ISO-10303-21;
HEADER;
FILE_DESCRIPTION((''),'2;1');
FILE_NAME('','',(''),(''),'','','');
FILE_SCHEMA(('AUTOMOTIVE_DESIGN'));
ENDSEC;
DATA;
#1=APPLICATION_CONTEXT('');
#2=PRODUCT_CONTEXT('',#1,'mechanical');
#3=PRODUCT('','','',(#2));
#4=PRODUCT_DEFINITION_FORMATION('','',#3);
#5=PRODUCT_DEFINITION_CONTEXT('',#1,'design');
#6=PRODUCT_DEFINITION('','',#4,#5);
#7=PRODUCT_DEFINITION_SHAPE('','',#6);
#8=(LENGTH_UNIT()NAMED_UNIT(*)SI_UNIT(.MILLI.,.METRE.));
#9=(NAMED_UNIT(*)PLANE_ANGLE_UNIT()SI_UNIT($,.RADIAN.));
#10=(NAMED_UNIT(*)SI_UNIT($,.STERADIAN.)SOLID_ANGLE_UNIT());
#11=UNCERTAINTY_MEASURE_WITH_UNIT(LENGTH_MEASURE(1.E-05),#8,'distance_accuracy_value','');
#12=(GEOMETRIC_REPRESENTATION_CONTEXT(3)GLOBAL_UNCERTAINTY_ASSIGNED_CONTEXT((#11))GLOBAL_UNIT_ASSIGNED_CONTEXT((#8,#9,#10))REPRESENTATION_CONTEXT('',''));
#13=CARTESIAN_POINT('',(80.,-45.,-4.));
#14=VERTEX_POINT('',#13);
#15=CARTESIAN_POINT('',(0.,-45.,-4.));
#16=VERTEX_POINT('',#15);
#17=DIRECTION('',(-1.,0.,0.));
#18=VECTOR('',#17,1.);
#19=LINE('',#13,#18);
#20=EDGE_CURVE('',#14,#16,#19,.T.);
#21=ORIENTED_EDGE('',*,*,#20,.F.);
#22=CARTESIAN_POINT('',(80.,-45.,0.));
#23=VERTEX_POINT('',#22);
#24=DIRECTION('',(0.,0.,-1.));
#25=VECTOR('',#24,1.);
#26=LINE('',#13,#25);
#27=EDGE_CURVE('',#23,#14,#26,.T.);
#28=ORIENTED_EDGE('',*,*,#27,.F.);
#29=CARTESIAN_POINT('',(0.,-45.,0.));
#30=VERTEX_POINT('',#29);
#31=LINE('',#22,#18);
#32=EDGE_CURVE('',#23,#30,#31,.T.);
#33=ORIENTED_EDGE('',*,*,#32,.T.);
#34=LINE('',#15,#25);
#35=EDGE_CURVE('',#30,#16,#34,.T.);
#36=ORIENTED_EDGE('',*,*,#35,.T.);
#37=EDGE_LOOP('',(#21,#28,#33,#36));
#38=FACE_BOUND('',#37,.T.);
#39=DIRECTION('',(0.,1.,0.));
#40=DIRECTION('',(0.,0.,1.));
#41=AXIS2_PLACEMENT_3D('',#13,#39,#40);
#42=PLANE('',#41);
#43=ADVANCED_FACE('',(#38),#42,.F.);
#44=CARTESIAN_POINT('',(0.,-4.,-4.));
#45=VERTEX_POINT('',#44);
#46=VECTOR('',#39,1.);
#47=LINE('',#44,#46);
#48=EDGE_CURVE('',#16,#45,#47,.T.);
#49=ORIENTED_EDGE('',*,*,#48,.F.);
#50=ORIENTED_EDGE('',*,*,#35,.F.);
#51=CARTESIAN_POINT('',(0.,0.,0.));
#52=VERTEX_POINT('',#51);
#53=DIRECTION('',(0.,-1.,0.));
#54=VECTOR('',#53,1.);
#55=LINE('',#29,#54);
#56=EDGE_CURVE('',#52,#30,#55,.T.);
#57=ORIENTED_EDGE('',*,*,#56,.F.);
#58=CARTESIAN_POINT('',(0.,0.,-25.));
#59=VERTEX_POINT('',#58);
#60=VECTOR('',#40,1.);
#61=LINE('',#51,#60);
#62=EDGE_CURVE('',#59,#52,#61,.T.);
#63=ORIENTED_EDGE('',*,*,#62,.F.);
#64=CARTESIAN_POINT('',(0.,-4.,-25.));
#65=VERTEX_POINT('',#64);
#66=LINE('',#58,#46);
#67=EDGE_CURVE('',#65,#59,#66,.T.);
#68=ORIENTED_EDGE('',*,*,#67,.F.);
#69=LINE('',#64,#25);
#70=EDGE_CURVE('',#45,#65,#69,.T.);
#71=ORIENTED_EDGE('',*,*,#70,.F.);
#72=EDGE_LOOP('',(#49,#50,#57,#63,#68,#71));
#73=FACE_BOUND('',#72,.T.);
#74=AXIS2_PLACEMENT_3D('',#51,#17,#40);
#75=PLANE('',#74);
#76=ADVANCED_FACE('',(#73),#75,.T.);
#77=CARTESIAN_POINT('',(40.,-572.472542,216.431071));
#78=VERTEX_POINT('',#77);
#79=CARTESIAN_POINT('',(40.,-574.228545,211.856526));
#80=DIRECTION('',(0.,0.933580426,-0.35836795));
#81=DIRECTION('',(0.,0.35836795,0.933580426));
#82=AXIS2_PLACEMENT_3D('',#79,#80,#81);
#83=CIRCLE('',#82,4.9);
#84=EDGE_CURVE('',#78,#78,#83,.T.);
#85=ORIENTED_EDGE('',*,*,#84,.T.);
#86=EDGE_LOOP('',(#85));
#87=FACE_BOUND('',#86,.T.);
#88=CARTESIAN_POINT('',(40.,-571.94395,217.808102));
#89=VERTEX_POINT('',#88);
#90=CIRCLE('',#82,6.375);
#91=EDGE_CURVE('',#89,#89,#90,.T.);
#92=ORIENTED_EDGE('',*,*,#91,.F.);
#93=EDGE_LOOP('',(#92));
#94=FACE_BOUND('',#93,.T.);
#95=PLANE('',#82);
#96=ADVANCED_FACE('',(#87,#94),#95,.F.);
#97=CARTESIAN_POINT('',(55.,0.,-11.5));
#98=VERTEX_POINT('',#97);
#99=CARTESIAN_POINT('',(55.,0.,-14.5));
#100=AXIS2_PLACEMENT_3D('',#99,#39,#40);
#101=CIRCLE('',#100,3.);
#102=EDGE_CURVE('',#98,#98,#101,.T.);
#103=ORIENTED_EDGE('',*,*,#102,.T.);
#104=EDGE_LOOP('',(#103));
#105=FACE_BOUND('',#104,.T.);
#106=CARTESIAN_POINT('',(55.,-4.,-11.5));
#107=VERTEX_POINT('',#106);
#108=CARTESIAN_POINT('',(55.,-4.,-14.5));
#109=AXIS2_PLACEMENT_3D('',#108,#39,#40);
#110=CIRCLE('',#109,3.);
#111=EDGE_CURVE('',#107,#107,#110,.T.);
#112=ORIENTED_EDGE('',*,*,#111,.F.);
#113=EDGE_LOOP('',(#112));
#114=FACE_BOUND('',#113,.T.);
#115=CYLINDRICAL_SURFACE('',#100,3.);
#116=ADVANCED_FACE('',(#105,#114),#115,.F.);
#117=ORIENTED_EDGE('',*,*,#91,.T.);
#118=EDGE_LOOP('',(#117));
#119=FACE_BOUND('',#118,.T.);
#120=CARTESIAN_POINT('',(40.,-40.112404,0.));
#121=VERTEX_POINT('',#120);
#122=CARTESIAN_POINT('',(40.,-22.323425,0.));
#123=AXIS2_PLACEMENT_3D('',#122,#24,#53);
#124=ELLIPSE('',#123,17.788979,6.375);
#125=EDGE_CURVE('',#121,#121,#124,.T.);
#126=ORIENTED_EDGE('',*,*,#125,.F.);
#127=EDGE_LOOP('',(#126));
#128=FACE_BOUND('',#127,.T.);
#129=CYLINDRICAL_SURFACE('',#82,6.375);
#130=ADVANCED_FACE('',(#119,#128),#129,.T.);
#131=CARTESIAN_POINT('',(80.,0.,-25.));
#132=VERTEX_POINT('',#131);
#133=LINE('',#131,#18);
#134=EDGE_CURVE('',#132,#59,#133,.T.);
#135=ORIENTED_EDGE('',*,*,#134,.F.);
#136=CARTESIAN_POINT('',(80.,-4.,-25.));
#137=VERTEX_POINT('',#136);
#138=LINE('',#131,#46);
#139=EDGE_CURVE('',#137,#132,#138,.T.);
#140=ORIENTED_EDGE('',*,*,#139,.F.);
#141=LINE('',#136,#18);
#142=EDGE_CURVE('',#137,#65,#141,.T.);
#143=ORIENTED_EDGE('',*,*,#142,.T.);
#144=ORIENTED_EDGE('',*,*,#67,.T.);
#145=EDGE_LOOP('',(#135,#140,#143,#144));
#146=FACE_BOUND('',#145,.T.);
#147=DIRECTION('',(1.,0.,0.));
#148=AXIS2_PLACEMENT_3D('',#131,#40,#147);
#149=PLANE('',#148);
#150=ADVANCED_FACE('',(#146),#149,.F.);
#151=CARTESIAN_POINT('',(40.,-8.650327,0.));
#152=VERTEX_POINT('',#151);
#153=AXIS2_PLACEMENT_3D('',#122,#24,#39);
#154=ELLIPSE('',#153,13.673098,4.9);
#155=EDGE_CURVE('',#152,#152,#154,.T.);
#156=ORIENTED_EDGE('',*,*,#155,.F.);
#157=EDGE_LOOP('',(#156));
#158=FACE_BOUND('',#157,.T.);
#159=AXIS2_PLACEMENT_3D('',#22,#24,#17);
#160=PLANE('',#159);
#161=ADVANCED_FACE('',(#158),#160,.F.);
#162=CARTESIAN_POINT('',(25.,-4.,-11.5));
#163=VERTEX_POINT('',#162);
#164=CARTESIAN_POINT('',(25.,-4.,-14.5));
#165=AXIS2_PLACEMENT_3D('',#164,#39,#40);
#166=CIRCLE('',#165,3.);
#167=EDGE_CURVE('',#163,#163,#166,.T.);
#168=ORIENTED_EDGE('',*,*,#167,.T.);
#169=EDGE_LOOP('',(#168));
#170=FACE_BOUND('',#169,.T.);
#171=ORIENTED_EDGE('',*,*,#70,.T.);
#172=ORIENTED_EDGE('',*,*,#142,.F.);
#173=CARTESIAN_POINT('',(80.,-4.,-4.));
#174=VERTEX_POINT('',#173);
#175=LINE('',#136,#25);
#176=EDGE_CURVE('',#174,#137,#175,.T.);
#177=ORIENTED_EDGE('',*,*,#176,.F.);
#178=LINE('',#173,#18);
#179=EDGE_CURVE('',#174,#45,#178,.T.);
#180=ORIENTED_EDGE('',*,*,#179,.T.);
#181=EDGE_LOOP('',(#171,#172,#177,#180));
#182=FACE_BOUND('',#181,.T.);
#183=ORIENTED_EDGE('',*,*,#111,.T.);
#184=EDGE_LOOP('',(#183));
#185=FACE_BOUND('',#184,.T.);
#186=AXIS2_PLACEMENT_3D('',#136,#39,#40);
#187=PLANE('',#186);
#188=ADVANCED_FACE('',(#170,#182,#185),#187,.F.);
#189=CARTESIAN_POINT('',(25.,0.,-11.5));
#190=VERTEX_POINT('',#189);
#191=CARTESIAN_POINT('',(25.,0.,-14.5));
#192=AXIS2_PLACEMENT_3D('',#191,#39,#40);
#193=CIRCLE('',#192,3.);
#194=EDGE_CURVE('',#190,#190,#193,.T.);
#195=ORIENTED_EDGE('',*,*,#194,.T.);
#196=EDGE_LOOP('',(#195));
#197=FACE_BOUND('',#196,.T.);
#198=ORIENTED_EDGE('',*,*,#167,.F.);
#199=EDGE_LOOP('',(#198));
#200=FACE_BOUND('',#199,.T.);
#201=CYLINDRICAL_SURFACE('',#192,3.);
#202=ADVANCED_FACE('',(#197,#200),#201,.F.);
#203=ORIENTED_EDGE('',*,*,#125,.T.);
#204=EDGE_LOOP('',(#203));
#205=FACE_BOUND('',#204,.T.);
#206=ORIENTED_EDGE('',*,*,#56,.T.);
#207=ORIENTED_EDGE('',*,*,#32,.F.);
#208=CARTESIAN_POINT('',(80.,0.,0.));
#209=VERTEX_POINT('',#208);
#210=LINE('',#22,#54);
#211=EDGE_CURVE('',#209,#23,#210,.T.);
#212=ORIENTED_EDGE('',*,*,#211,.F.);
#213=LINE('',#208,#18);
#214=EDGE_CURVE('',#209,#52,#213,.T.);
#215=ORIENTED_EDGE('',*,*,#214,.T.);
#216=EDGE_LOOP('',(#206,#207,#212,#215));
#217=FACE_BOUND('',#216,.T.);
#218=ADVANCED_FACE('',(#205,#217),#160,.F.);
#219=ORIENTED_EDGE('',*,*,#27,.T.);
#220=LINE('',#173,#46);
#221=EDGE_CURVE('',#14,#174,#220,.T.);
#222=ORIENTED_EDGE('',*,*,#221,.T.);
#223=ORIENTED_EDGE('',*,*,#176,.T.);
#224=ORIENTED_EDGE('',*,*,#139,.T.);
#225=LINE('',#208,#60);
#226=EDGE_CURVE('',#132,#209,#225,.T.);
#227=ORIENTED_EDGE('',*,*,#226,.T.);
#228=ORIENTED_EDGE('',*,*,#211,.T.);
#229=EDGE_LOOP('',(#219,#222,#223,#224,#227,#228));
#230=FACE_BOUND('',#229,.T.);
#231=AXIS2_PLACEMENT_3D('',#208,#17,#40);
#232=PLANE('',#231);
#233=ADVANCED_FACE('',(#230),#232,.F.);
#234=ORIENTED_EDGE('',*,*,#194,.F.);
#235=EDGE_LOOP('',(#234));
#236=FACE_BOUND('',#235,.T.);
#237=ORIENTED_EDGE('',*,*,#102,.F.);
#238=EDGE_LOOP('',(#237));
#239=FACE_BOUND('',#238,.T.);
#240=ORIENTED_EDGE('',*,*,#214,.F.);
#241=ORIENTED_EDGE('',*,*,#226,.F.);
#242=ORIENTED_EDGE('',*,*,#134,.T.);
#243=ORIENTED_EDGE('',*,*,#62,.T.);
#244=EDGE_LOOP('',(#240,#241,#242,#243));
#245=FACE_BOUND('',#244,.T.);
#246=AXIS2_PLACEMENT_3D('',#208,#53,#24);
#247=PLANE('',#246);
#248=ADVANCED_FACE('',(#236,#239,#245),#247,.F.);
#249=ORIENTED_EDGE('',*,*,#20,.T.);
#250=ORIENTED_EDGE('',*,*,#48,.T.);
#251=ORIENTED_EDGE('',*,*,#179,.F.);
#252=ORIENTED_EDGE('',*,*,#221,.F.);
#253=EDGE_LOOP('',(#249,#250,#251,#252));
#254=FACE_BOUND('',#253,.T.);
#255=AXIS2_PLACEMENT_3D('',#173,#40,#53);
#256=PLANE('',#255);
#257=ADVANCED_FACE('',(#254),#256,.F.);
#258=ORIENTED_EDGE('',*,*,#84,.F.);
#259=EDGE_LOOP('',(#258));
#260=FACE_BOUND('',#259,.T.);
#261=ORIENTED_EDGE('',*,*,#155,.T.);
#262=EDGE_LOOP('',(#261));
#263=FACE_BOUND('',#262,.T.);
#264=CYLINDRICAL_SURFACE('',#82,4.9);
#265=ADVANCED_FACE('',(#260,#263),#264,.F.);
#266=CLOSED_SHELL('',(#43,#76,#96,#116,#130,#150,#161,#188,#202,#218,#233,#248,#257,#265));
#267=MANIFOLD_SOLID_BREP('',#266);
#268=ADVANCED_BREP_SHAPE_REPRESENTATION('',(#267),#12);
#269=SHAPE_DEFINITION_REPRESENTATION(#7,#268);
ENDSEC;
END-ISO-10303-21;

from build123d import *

# Parameters (mm, degrees)
BOSS_EXTRUDE1_DEPTH             = 80
BOSS_EXTRUDE2_REACH             = 99.687
SKETCH2_R                       = 6.375
SKETCH2_R_2                     = 4.9
BOSS_EXTRUDE2_DIRECTION_2_DEPTH = 570
F_6_0MM_DOWEL_HOLE1_D           = 6


with BuildPart() as part:
    # Sketch1 → Boss-Extrude1 (new body)
    with BuildSketch(Plane(origin=(0, 0, 0), x_dir=(0, 0, -1), z_dir=(1, 0, 0))):
        Polygon((0, 0), (25, 0), (25, -4), (4, -4), (4, -45), (0, -45), align=None)
    extrude(amount=BOSS_EXTRUDE1_DEPTH)

    # Boss-Extrude2: up to this plane
    boss_extrude2_end = Plane(origin=(80, -45, 0), z_dir=(0, 0, -1))
    # Sketch2 → Boss-Extrude2 (add, up to the surface)
    with BuildSketch(Plane(origin=(0, -39.220758573, 15.055438643), x_dir=(-1, 0, 0), z_dir=(0, 0.9335804264972002, -0.3583679495453042)), mode=Mode.PRIVATE) as boss_extrude2_sk1:
        with Locations((-40, -8)):
            Circle(SKETCH2_R)
        with Locations((-40, -8)):
            Circle(SKETCH2_R_2, mode=Mode.SUBTRACT)
    boss_extrude2_tool1 = split(extrude(boss_extrude2_sk1.sketch, amount=BOSS_EXTRUDE2_REACH, mode=Mode.PRIVATE), bisect_by=boss_extrude2_end, keep=Keep.BOTH, mode=Mode.PRIVATE)
    add(boss_extrude2_tool1.solids().sort_by_distance((46.194688, -42.087702, 7.586795))[0])

    # Sketch2 → Boss-Extrude2 direction 2 (add)
    with BuildSketch(Plane(origin=(0, -39.220758573, 15.055438643), x_dir=(-1, 0, 0), z_dir=(0, 0.9335804264972002, -0.3583679495453042))):
        with Locations((-40, -8)):
            Circle(SKETCH2_R)
        with Locations((-40, -8)):
            Circle(SKETCH2_R_2, mode=Mode.SUBTRACT)
    extrude(amount=-BOSS_EXTRUDE2_DIRECTION_2_DEPTH)

    # Ø6.0mm Dowel Hole1 (through all)
    with Locations(Plane(origin=(0, 0, 0), x_dir=(1, 0, 0), z_dir=(0, 1, 0))):
        with Locations((25, 14.5), (55, 14.5)):
            Hole(F_6_0MM_DOWEL_HOLE1_D / 2)


solid = part.part
